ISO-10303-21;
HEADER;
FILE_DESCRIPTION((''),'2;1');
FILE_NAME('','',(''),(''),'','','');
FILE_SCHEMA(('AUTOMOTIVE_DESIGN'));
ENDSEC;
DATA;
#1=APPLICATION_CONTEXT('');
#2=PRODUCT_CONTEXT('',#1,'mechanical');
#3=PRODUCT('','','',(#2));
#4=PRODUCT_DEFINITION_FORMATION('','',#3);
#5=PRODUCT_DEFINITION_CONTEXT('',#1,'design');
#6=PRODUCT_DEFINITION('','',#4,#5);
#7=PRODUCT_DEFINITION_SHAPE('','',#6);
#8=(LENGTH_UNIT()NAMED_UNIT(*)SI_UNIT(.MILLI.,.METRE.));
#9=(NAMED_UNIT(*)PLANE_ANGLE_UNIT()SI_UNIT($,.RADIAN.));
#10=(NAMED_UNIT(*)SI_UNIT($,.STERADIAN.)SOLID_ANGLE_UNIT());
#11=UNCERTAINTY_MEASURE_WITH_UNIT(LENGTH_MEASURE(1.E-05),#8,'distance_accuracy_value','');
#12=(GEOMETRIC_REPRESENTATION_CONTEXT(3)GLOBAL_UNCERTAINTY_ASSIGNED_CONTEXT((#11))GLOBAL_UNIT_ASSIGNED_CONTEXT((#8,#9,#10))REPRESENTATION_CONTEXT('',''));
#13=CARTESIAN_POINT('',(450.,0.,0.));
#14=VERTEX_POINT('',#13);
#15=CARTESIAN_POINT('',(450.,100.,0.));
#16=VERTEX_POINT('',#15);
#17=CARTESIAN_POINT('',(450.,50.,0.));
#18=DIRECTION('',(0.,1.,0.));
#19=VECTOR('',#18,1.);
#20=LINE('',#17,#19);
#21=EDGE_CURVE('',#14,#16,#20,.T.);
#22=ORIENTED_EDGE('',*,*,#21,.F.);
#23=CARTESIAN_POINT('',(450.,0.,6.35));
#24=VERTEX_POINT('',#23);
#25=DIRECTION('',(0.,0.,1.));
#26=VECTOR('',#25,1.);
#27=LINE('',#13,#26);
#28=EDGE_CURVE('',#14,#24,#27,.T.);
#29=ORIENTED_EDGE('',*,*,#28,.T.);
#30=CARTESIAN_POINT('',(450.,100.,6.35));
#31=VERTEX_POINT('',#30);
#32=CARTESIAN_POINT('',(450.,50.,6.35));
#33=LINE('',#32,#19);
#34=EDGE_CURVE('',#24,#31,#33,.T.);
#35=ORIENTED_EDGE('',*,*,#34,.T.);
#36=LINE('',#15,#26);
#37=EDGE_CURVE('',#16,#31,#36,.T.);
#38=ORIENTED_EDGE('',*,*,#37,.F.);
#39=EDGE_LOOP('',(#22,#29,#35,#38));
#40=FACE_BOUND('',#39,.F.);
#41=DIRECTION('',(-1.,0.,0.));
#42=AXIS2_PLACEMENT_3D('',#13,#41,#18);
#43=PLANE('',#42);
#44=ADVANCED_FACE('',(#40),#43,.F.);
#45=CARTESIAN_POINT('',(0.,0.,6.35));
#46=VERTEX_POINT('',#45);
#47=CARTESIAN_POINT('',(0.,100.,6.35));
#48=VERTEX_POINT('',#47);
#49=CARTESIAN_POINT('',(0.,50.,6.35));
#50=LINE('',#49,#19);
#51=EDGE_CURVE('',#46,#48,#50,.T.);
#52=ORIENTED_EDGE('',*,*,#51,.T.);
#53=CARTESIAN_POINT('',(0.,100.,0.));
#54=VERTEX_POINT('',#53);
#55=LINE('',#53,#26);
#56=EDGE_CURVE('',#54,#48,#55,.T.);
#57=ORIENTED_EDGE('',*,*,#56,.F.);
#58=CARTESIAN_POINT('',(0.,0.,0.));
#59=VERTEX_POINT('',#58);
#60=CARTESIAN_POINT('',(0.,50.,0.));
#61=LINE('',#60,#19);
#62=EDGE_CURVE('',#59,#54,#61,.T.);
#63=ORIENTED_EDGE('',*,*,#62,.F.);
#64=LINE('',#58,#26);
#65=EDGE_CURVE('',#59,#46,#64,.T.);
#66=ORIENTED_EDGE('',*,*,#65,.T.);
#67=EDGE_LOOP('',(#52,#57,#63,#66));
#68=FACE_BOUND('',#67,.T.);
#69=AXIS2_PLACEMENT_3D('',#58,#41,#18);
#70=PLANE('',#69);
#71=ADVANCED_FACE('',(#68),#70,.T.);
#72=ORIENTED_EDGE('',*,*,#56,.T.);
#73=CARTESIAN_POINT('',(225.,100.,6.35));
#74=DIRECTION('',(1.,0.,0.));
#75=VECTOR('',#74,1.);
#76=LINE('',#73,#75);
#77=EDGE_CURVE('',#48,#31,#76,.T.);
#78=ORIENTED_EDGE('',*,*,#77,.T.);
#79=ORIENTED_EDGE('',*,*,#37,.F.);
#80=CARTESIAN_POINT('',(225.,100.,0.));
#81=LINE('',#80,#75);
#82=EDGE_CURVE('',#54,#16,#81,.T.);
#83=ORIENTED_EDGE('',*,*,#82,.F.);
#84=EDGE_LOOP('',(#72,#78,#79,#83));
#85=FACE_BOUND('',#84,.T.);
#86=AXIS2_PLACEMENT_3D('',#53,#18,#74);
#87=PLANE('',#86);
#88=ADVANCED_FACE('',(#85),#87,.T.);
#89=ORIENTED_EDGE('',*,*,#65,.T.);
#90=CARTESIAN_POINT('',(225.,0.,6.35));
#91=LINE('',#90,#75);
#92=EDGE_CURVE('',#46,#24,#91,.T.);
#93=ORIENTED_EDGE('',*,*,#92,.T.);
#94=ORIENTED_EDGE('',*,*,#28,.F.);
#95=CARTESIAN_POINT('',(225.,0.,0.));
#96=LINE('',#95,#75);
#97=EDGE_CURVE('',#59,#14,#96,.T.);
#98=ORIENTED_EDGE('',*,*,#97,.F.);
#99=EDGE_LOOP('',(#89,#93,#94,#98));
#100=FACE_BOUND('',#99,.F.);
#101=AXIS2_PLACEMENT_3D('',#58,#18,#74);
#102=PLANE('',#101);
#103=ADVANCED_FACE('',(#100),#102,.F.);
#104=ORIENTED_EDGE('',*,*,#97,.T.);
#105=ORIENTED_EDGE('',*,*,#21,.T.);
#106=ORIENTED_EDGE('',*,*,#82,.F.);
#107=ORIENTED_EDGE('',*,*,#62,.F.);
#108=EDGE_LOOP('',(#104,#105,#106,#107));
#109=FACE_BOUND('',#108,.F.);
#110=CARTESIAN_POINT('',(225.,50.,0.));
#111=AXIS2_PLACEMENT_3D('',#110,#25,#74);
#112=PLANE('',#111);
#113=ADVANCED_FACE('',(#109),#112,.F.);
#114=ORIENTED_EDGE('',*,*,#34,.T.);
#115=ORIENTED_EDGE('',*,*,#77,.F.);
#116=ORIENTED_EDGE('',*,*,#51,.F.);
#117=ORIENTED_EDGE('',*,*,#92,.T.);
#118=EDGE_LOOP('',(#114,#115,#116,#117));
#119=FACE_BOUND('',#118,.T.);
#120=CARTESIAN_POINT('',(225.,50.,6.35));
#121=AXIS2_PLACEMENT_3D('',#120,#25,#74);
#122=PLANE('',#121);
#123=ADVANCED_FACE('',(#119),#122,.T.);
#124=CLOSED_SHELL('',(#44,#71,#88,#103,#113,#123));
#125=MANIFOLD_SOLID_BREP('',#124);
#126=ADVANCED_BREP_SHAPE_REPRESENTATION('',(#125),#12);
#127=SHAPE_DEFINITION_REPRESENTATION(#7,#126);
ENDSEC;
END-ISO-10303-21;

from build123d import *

# Parameters (mm, degrees)
SKETCH_W  = 450
SKETCH_H  = 100
PAD_DEPTH = 6.35


with BuildPart() as part:
    # Sketch → Pad (new body)
    with BuildSketch(Plane.XY):
        with Locations((225, 50)):
            Rectangle(SKETCH_W, SKETCH_H)
    extrude(amount=PAD_DEPTH)


solid = part.part
